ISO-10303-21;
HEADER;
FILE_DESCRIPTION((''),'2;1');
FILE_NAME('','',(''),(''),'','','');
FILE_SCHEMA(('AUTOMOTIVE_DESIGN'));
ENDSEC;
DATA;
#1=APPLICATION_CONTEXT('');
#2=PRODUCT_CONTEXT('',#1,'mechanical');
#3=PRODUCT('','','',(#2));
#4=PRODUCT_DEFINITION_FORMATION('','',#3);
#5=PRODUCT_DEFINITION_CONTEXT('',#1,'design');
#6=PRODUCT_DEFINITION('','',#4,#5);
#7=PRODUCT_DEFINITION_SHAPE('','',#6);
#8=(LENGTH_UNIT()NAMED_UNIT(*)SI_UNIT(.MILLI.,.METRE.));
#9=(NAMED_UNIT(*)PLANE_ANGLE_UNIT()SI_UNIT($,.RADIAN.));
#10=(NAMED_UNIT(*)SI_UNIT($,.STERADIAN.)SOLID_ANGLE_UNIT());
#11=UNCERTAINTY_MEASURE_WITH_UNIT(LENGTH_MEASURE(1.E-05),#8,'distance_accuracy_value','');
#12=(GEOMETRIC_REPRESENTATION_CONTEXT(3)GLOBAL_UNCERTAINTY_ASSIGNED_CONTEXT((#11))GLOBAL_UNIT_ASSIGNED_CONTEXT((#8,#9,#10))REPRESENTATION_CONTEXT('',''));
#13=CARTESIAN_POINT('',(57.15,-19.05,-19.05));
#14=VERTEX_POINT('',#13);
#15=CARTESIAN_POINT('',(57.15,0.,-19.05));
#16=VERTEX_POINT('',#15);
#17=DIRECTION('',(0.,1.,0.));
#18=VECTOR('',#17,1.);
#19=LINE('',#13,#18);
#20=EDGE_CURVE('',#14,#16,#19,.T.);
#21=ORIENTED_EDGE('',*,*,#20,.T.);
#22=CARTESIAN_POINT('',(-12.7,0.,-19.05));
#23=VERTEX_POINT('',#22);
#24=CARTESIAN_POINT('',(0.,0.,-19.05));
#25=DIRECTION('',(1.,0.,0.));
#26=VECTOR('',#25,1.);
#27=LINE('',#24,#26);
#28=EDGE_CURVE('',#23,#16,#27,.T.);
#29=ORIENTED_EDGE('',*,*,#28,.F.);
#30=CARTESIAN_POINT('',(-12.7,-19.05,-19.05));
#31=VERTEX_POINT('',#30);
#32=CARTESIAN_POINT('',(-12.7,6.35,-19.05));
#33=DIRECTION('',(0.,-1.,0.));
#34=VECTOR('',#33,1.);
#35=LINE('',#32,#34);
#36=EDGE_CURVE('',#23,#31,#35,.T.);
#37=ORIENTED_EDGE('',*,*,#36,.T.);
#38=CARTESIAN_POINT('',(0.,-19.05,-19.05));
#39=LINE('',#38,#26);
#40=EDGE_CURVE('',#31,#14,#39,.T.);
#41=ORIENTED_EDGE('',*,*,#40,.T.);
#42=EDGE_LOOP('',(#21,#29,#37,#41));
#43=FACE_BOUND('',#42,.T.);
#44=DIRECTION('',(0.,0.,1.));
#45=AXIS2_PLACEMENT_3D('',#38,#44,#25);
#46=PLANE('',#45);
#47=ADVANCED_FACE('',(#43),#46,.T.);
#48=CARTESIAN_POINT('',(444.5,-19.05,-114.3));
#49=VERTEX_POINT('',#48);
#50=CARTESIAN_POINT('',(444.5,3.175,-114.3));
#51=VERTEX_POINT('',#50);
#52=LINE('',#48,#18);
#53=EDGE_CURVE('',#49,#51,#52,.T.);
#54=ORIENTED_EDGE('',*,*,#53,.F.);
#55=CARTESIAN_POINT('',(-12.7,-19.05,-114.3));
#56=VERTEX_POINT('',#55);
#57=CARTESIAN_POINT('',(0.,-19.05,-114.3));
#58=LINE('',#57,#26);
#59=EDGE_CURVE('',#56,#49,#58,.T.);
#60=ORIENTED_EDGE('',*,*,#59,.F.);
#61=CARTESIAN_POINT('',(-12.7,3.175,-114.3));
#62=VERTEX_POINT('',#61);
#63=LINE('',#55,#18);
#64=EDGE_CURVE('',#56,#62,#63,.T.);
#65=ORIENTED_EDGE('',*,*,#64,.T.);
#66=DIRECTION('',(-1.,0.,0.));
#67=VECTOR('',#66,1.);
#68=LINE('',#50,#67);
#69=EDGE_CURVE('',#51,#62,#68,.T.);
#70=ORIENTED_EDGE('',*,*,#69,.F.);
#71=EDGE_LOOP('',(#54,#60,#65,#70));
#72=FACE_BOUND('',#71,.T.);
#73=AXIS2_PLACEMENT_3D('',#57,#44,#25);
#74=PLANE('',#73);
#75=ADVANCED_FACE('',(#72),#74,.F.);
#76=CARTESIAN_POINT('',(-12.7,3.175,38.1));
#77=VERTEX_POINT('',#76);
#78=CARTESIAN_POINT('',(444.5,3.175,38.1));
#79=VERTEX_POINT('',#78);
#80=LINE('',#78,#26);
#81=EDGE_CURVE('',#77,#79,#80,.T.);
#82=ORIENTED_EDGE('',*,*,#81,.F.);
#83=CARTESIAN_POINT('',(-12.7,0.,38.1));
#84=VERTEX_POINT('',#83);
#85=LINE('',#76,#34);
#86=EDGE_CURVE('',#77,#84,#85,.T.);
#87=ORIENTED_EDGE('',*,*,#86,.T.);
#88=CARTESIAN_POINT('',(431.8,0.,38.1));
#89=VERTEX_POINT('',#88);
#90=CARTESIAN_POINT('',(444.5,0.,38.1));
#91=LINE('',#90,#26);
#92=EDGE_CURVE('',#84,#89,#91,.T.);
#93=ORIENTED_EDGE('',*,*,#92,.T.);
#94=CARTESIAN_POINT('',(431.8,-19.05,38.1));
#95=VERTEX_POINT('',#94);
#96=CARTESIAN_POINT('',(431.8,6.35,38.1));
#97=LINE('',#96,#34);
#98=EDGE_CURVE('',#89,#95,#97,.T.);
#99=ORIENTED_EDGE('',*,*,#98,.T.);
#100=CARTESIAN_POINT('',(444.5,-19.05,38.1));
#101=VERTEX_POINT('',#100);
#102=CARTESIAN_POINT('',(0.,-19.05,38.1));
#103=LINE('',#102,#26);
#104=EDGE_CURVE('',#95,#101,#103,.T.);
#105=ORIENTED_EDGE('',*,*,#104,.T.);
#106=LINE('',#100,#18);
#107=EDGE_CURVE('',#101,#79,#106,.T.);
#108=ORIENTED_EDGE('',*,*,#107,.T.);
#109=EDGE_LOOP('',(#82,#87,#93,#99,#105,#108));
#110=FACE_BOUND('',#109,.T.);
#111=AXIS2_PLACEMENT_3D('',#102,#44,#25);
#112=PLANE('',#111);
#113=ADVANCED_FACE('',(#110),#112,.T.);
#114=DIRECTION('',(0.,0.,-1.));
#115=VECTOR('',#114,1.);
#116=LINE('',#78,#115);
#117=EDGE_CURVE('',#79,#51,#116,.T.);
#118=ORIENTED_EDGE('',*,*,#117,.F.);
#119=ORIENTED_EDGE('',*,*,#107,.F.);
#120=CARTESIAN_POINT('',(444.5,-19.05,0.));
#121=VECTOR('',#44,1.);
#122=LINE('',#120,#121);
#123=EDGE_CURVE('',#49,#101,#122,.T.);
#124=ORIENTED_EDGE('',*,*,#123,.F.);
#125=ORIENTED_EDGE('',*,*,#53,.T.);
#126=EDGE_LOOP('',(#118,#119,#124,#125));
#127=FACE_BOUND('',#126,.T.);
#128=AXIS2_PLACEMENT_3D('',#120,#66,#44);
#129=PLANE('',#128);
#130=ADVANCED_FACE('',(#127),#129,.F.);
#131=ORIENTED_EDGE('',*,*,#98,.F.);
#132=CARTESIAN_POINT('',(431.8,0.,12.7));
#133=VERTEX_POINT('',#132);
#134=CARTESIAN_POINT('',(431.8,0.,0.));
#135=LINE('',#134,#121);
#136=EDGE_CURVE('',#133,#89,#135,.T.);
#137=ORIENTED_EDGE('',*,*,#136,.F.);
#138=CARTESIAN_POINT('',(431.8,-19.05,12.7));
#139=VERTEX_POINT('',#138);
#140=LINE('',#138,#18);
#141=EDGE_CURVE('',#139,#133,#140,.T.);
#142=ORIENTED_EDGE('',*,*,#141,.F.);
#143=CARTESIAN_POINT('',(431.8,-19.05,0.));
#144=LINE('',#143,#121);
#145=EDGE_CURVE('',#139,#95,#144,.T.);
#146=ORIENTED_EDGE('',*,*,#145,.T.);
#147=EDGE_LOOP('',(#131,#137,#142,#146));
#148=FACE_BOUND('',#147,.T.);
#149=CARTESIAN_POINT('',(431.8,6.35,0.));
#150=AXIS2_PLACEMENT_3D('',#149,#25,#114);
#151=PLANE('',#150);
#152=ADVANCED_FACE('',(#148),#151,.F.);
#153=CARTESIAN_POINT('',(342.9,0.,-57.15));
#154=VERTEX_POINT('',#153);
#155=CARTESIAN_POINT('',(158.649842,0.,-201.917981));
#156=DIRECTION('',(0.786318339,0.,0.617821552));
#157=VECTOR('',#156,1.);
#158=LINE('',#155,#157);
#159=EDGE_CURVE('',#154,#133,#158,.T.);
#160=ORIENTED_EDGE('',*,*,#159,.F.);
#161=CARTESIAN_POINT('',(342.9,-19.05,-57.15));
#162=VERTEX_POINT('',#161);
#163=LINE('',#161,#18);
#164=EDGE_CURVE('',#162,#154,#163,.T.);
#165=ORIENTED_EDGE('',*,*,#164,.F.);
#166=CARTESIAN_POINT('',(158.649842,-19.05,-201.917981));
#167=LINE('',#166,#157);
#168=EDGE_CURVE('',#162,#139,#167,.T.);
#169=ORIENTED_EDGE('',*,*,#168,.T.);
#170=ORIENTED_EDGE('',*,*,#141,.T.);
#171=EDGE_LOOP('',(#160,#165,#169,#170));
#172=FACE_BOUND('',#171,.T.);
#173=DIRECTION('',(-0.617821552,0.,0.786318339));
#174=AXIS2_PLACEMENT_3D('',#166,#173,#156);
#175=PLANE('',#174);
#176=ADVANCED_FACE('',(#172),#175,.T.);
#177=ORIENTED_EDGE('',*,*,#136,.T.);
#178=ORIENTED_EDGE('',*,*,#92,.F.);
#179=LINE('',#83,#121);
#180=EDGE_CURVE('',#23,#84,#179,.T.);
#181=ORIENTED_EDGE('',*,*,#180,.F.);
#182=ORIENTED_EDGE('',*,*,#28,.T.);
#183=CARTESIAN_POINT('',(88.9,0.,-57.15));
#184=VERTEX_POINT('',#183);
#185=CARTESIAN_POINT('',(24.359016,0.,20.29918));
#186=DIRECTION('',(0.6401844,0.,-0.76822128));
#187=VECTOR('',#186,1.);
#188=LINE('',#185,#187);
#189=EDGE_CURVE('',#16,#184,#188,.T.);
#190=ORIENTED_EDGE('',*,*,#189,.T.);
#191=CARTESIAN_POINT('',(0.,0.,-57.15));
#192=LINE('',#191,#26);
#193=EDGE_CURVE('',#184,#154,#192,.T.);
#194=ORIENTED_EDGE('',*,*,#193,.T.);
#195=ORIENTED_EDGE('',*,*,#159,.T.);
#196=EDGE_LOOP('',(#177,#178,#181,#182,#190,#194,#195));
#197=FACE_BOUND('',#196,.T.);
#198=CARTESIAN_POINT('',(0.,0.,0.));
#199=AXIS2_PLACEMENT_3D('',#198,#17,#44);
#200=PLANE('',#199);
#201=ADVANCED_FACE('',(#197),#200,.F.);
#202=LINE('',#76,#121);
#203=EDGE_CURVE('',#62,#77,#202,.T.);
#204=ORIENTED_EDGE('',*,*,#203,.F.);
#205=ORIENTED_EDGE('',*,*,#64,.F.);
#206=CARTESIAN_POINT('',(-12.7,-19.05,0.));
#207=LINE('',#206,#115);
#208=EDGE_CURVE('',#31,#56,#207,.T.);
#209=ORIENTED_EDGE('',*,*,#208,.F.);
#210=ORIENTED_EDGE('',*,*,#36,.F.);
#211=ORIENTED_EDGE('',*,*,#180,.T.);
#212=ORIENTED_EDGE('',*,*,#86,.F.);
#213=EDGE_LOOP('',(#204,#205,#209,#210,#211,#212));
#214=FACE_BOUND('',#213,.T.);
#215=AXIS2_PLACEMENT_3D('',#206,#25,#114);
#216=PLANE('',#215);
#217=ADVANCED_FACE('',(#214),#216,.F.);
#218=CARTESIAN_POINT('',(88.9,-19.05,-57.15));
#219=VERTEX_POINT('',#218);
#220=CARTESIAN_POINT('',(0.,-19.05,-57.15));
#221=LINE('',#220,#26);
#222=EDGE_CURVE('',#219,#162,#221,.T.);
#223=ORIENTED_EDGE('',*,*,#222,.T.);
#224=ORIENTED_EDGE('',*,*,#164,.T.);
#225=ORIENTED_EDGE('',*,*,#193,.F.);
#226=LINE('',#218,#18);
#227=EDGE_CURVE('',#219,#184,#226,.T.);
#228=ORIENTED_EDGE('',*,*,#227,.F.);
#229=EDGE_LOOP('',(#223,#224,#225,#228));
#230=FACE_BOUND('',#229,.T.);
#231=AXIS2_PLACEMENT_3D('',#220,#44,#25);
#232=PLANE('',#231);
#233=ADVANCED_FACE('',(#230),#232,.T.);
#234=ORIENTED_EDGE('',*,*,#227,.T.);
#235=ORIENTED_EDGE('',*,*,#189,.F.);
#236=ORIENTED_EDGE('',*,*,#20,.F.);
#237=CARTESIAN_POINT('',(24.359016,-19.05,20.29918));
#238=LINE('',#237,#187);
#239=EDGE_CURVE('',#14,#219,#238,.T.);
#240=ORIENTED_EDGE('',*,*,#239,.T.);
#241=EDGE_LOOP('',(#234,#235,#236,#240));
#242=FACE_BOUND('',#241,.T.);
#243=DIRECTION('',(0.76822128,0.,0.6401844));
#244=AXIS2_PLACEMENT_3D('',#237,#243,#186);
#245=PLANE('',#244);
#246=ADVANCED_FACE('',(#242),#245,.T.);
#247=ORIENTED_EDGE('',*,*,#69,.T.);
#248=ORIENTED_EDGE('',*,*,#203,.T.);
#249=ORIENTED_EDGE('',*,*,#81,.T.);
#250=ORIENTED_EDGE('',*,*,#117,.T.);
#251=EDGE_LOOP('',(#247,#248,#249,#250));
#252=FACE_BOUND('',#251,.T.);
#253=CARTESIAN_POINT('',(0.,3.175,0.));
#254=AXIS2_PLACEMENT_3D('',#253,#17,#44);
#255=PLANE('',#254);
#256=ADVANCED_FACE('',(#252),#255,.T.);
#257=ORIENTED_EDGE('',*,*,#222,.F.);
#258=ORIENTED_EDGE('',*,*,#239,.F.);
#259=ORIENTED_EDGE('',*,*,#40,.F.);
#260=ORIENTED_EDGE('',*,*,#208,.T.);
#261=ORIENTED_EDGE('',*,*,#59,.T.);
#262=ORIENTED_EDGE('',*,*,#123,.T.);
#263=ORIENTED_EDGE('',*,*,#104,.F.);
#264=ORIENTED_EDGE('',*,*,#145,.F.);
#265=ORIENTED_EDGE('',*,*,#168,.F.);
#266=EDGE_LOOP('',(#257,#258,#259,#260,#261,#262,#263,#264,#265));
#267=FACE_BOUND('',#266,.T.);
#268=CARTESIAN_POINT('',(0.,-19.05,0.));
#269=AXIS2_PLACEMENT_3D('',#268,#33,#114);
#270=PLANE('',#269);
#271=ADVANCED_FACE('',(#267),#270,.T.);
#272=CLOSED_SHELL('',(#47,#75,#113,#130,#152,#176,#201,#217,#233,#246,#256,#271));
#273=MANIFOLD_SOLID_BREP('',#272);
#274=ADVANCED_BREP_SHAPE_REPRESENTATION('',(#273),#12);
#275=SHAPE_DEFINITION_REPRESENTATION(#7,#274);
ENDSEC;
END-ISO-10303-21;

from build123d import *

# Parameters (mm, degrees)
BOSS_EXTRUDE1_DEPTH = 19.05
SKETCH2_R           = 3.96875
CUT_EXTRUDE1_DEPTH  = 19.05
SKETCH3_W           = 457.2
SKETCH3_H           = 152.4
BOSS_EXTRUDE3_DEPTH = 19.05
SKETCH4_W           = 457.2
SKETCH4_H           = 152.4
CUT_EXTRUDE2_DEPTH  = 25.4
CUT_EXTRUDE4_DEPTH  = 25.4
SKETCH6_W           = 457.2
SKETCH6_H           = 152.4
BOSS_EXTRUDE4_DEPTH = 3.175


with BuildPart() as part:
    # Sketch1 → Boss-Extrude1 (new body)
    with BuildSketch(Plane(origin=(0, 0, 0), x_dir=(1, 0, 0), z_dir=(0, 1, 0))):
        Polygon((57.15, 19.05), (0, 19.05), (0, 0), (66.037825848, 0), (97.808358016, 38.1), (336.311308439, 38.1), (400.965853894, -12.7), (431.8, -12.7), (342.9, 57.15), (88.9, 57.15), align=None)
    extrude(amount=BOSS_EXTRUDE1_DEPTH)

    # Sketch2 → Cut-Extrude1 (cut)
    with BuildSketch(Plane.XY):
        with Locations((8.89, 9.525)):
            Circle(SKETCH2_R)
        with Locations((56.515, 9.525)):
            Circle(SKETCH2_R)
    extrude(amount=-CUT_EXTRUDE1_DEPTH, mode=Mode.SUBTRACT)

    # Sketch4 → Cut-Extrude2 (cut)
    with BuildSketch(Plane(origin=(0, 0, 0), x_dir=(1, 0, 0), z_dir=(0, 1, 0))):
        with Locations((215.9, 38.1)):
            Rectangle(SKETCH4_W, SKETCH4_H)
    extrude(amount=CUT_EXTRUDE2_DEPTH, mode=Mode.SUBTRACT)


with BuildPart() as body_2:
    # Sketch3 → Boss-Extrude3 (new body)
    with BuildSketch(Plane.XZ):
        with Locations((215.9, -38.1)):
            Rectangle(SKETCH3_W, SKETCH3_H)
        Polygon((400.965853894, 12.7), (431.8, 12.7), (342.9, -57.15), (88.9, -57.15), (57.15, -19.05), (0, -19.05), (0, 0), (66.037825848, 0), (97.808358016, -38.1), (336.311308439, -38.1), align=None, mode=Mode.SUBTRACT)
    extrude(amount=BOSS_EXTRUDE3_DEPTH)

    # Sketch5 → Cut-Extrude4 (cut)
    with BuildSketch(Plane.XZ.offset(19.05)):
        Polygon((-12.7, -19.05), (0, -19.05), (0, 0), (66.037825848, 0), (97.808358016, -38.1), (336.311308439, -38.1), (400.965853894, 12.7), (431.8, 12.7), (431.8, 38.1), (-12.7, 38.1), align=None)
    extrude(amount=-CUT_EXTRUDE4_DEPTH, mode=Mode.SUBTRACT)

    # Sketch6 → Boss-Extrude4 (add)
    with BuildSketch(Plane(origin=(0, 0, 0), x_dir=(1, 0, 0), z_dir=(0, 1, 0))):
        with Locations((215.9, 38.1)):
            Rectangle(SKETCH6_W, SKETCH6_H)
    extrude(amount=BOSS_EXTRUDE4_DEPTH)


solid = body_2.part
